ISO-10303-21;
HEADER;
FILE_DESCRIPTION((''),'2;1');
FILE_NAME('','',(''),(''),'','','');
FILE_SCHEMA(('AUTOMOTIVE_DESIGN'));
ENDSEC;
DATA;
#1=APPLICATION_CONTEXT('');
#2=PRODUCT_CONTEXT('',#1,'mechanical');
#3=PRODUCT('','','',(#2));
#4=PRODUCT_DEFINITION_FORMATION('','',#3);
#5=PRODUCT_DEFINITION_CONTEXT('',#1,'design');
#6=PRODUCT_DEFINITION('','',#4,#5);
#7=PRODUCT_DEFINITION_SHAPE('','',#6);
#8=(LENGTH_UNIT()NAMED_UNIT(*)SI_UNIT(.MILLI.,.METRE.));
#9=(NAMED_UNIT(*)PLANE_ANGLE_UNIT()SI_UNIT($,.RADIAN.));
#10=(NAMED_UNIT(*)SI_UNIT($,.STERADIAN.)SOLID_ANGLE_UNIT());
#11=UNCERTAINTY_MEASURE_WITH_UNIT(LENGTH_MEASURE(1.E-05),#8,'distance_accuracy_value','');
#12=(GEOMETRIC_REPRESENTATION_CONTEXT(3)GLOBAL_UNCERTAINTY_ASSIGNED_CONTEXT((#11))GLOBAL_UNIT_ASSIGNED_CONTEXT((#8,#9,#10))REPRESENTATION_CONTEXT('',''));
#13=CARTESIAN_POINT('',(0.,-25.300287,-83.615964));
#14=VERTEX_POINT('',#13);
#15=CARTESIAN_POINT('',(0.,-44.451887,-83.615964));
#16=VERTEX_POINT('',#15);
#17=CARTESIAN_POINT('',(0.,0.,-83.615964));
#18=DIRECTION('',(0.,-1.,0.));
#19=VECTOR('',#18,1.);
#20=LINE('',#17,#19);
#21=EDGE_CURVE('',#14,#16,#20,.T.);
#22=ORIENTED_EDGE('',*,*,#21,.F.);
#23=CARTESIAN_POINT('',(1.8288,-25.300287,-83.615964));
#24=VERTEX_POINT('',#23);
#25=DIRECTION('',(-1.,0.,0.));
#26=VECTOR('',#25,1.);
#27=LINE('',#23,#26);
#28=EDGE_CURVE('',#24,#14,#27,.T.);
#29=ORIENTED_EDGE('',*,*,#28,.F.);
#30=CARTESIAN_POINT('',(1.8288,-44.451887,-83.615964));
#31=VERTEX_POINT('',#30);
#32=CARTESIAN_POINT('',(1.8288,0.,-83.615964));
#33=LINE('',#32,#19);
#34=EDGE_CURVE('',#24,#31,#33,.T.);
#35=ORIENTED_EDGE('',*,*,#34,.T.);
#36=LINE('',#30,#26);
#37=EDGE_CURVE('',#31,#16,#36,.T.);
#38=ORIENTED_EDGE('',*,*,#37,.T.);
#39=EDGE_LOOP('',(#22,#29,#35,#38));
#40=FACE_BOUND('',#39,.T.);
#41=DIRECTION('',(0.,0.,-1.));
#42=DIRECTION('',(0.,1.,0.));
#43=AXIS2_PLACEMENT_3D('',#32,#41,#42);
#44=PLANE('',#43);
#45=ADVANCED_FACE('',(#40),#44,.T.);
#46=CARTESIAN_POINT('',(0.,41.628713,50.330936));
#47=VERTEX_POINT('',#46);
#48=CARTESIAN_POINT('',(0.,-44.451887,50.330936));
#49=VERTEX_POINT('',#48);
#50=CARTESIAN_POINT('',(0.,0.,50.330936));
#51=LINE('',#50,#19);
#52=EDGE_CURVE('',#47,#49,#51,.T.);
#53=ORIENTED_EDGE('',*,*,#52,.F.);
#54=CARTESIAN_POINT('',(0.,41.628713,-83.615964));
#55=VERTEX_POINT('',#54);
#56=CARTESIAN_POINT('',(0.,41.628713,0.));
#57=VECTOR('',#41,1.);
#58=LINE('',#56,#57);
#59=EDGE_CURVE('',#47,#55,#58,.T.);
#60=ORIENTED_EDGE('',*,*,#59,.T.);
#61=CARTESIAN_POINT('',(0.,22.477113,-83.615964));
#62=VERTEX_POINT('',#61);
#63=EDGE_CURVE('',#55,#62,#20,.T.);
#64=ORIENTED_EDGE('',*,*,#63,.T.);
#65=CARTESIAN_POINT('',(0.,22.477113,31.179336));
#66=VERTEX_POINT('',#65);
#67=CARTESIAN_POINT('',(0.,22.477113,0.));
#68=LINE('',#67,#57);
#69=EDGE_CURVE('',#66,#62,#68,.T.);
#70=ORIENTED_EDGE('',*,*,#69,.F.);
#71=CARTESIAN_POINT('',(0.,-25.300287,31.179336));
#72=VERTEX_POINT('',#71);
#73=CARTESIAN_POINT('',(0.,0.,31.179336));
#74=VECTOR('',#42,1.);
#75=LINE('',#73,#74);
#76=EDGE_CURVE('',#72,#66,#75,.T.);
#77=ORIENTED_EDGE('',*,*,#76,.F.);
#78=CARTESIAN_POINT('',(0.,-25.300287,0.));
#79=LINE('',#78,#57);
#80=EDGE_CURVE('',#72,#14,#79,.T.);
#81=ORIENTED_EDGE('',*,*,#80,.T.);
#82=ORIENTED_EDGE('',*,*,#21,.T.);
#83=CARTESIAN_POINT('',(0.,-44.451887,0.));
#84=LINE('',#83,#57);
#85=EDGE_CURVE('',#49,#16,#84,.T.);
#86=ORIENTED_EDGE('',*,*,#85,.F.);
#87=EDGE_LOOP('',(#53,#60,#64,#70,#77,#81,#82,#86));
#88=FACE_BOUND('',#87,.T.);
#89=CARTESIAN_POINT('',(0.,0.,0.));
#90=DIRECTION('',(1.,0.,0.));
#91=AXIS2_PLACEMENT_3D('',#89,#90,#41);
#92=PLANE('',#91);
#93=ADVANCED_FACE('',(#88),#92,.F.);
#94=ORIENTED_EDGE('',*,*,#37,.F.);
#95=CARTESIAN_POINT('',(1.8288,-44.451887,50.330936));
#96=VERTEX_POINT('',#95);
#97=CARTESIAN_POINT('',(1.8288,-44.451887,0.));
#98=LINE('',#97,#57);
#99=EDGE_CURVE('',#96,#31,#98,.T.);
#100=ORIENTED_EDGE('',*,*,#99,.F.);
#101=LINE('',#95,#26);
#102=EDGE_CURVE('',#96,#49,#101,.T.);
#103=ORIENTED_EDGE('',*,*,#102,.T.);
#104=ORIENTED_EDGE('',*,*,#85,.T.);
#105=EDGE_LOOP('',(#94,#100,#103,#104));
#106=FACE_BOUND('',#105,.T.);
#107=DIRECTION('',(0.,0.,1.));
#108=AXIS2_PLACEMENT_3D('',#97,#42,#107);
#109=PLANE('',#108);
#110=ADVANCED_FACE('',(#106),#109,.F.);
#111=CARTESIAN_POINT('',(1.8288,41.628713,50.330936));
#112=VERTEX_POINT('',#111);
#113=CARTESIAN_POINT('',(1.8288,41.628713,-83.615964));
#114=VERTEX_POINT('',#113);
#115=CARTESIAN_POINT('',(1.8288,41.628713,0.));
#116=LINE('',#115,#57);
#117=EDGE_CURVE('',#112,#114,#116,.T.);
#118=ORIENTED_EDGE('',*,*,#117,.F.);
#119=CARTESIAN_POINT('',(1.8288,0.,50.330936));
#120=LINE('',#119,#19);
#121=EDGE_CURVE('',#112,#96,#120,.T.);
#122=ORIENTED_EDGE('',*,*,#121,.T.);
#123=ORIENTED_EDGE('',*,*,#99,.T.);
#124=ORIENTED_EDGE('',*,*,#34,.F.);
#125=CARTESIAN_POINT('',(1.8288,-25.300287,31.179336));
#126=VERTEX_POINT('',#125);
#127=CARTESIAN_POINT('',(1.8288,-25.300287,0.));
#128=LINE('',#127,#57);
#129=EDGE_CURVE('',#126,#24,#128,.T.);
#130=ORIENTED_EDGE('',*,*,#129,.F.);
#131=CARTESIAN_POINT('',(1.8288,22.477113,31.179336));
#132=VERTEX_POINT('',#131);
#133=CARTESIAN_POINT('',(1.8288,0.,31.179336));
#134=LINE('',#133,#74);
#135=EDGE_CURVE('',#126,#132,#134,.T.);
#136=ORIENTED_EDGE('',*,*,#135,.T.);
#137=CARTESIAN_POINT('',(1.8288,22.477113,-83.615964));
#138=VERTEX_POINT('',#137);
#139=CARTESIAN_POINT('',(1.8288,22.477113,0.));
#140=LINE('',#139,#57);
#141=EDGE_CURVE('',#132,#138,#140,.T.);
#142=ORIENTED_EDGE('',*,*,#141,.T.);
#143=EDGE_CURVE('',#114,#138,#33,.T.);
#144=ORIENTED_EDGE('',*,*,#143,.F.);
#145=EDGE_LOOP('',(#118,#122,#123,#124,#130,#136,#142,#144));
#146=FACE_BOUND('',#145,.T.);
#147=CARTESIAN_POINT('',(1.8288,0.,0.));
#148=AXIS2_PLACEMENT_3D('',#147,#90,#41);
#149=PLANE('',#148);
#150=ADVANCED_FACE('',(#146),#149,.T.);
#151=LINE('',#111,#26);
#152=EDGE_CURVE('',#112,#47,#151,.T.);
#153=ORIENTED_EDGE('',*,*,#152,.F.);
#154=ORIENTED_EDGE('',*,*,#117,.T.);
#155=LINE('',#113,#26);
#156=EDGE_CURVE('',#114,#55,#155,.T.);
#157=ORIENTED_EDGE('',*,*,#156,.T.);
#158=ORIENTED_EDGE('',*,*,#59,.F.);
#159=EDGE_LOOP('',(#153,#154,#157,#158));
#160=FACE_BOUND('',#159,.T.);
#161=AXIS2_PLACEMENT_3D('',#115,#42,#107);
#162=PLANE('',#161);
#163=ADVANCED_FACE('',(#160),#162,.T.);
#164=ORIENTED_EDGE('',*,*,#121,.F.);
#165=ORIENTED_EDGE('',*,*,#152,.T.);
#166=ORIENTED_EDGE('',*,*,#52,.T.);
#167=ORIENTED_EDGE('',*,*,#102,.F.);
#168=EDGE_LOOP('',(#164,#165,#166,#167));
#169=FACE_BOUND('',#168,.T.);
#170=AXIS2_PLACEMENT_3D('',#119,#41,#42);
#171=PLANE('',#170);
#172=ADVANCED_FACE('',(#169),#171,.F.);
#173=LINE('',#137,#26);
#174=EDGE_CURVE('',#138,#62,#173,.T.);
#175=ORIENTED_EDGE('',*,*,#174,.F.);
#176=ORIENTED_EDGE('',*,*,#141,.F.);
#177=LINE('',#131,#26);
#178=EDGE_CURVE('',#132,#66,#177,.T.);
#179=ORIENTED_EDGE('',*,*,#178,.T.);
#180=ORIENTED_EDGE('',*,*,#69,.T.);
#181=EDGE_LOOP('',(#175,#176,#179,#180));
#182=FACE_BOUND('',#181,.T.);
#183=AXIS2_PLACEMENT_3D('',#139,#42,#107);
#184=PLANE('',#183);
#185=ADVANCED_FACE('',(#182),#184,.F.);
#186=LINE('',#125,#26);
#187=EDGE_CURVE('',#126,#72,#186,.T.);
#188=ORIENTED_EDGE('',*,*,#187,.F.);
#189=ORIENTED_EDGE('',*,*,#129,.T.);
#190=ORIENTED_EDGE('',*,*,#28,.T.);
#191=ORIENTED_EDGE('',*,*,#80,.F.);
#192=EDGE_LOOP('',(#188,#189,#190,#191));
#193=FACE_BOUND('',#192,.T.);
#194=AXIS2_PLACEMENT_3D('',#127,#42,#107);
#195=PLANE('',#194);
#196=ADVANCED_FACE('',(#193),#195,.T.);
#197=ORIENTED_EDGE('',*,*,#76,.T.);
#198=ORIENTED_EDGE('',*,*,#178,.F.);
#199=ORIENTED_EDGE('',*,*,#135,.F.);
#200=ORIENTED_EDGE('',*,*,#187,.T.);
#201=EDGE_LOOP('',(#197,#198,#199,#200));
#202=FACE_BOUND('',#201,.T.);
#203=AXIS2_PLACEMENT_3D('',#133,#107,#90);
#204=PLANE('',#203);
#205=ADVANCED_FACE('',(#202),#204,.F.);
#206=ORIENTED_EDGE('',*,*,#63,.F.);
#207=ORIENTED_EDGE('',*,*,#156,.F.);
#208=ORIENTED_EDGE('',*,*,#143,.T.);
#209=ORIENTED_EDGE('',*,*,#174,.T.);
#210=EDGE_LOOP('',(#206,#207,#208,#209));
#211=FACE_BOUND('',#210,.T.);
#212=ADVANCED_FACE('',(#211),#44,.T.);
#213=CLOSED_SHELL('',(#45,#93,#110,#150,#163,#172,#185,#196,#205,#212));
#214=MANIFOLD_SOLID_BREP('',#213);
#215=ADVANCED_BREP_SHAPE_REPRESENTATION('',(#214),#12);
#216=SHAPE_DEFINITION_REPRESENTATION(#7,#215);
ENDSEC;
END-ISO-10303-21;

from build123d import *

# Parameters (mm, degrees)
SKETCH1_W           = 114.7953
SKETCH1_H           = 19.1516
SKETCH1_W_2         = 19.1516
BOSS_EXTRUDE1_DEPTH = 1.8288


with BuildPart() as part:
    # Sketch1 → Boss-Extrude1 (new body)
    with BuildSketch(Plane(origin=(0, 0, 0), x_dir=(0, 0, -1), z_dir=(1, 0, 0))):
        Polygon((-31.179336382, -25.30028674), (-31.179336382, 22.47711326), (-31.179336382, 41.62871326), (-50.330936382, 41.62871326), (-50.330936382, -25.30028674), align=None)
        with Locations((26.218313618, 32.05291326)):
            Rectangle(SKETCH1_W, SKETCH1_H)
        with Locations((26.218313618, -34.87608674)):
            Rectangle(SKETCH1_W, SKETCH1_H)
        with Locations((-40.755136382, -34.87608674)):
            Rectangle(SKETCH1_W_2, SKETCH1_H)
    extrude(amount=BOSS_EXTRUDE1_DEPTH)


solid = part.part
